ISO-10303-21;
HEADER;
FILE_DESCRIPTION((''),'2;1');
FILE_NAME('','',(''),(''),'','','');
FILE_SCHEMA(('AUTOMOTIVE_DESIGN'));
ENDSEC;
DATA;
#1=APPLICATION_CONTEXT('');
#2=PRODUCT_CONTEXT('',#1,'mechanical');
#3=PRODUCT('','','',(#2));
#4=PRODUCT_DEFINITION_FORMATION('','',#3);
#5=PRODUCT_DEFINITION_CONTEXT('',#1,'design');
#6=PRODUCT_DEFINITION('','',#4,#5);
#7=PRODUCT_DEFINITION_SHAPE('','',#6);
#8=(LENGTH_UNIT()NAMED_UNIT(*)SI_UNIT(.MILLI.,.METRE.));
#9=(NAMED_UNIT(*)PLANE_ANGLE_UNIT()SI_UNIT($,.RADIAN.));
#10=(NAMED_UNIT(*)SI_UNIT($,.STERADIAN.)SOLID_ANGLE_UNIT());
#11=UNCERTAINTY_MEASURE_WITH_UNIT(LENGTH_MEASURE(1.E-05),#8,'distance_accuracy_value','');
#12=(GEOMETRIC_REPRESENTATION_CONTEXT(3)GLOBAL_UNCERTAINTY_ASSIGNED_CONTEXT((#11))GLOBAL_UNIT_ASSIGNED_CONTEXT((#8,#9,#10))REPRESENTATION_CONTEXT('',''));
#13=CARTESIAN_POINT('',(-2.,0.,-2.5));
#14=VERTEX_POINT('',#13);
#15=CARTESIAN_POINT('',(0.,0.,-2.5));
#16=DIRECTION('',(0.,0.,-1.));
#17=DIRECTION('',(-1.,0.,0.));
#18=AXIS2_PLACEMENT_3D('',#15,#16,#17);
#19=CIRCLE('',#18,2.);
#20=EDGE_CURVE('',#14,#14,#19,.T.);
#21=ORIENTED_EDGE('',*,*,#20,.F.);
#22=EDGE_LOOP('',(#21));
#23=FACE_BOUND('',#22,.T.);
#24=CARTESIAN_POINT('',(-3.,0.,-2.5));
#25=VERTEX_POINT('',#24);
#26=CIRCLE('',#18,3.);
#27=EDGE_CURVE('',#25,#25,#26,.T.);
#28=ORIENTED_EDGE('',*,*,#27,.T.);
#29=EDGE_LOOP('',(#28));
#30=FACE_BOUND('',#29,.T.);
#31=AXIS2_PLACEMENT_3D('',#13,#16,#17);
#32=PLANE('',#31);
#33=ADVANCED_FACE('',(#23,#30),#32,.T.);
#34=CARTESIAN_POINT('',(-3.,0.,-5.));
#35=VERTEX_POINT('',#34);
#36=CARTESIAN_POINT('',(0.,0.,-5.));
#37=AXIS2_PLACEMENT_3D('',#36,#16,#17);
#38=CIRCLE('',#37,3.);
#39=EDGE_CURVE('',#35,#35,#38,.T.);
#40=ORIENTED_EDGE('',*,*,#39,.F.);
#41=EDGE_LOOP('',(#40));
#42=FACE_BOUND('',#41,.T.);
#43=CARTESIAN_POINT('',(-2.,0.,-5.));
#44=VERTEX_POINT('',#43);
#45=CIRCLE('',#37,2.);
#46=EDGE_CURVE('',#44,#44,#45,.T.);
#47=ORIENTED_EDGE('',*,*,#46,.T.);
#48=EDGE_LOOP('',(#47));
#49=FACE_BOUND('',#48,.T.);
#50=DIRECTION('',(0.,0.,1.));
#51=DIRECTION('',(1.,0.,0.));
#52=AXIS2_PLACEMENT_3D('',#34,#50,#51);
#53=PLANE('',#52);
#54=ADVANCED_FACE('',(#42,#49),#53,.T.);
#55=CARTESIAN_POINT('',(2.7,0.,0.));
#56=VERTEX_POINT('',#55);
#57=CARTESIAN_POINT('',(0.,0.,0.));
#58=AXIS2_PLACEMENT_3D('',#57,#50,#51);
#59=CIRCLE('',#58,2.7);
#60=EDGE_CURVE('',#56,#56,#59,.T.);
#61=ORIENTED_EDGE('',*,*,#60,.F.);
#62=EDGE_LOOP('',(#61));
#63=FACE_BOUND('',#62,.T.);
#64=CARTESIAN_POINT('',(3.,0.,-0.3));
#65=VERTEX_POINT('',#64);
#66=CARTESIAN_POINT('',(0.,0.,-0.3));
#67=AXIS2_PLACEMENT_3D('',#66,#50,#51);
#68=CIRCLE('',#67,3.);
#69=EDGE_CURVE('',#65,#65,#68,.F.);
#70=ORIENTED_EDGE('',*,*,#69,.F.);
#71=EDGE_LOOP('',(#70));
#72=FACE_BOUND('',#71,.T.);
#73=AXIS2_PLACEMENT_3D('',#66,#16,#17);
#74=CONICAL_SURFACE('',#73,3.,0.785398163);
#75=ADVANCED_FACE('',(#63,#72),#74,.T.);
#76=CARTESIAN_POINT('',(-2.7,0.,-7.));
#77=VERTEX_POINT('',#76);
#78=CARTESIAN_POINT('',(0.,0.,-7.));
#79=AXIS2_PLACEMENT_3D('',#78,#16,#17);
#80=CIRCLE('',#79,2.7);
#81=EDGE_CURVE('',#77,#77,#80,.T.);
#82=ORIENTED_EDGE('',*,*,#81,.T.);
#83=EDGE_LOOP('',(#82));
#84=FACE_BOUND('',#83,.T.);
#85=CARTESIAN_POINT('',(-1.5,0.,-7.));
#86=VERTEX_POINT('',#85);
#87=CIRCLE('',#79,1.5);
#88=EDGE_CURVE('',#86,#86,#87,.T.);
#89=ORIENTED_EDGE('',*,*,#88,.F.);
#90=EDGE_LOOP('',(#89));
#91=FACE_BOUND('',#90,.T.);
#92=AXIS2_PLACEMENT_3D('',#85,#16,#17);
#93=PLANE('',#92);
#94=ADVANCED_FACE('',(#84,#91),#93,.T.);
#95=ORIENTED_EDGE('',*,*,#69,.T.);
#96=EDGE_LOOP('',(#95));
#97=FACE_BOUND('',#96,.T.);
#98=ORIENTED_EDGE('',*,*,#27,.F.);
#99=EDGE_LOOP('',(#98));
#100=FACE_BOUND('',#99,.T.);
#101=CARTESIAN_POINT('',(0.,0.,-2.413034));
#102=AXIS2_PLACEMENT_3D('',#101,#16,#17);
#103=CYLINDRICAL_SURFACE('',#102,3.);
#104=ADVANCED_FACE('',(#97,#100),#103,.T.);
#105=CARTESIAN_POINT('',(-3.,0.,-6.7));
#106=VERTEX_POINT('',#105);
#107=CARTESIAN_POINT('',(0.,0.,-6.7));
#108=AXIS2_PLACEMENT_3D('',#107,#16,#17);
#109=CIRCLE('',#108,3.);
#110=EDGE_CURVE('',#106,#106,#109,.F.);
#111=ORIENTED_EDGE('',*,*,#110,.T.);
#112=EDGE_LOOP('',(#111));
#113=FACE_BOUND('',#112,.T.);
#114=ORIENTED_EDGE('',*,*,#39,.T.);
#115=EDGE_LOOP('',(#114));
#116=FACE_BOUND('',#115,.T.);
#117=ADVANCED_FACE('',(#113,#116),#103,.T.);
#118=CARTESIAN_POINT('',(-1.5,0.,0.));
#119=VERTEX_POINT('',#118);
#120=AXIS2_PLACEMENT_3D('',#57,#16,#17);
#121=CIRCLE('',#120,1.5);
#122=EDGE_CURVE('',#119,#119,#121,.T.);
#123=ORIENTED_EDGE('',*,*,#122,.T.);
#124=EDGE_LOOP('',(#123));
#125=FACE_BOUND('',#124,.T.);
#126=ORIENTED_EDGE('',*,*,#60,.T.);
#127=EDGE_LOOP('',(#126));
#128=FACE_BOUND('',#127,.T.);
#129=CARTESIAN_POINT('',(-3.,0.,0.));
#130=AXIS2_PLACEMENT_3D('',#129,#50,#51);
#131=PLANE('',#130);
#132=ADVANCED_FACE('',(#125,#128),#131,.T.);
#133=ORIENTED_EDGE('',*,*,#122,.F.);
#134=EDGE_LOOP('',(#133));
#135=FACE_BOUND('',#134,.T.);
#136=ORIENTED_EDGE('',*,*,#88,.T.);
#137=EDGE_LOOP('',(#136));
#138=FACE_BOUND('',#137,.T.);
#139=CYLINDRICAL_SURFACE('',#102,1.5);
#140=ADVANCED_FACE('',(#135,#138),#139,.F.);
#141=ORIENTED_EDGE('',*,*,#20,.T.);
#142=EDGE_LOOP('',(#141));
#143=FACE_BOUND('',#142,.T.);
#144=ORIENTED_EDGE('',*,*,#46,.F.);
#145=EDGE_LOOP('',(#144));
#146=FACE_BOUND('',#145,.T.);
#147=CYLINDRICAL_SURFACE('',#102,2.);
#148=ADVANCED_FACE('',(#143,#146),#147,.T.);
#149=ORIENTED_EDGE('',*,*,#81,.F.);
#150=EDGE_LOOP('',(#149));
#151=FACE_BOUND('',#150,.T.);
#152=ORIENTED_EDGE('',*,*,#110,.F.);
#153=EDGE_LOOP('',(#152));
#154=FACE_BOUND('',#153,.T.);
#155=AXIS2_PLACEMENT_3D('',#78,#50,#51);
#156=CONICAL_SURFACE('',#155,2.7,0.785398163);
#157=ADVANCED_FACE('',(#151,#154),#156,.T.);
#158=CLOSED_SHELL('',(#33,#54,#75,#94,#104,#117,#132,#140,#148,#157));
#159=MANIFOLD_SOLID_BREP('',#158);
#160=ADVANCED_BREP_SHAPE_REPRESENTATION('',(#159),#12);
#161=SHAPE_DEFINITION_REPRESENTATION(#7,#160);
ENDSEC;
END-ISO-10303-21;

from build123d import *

# Parameters (mm, degrees)
CHAMFER_1_SIZE = 0.3


with BuildPart() as part:
    # 草图2 → 旋转1 (revolve)
    with BuildSketch(Plane(origin=(0, 0, 0), x_dir=(1, 0, 0), z_dir=(0, 1, 0))):
        Polygon((-1.5, 7), (-3, 7), (-3, 5), (-2, 5), (-2, 2.5), (-3, 2.5), (-3, 0), (-1.5, 0), align=None)
    revolve(axis=Axis((0, 0, -2.413034418), (0, 0, 1)))

    # 倒角1
    chamfer_1_edges = [part.edges().sort_by_distance(p)[0] for p in [
        (3, 0, 0),
        (3, 0, -7),
    ]]
    chamfer(chamfer_1_edges, length=CHAMFER_1_SIZE)


solid = part.part
